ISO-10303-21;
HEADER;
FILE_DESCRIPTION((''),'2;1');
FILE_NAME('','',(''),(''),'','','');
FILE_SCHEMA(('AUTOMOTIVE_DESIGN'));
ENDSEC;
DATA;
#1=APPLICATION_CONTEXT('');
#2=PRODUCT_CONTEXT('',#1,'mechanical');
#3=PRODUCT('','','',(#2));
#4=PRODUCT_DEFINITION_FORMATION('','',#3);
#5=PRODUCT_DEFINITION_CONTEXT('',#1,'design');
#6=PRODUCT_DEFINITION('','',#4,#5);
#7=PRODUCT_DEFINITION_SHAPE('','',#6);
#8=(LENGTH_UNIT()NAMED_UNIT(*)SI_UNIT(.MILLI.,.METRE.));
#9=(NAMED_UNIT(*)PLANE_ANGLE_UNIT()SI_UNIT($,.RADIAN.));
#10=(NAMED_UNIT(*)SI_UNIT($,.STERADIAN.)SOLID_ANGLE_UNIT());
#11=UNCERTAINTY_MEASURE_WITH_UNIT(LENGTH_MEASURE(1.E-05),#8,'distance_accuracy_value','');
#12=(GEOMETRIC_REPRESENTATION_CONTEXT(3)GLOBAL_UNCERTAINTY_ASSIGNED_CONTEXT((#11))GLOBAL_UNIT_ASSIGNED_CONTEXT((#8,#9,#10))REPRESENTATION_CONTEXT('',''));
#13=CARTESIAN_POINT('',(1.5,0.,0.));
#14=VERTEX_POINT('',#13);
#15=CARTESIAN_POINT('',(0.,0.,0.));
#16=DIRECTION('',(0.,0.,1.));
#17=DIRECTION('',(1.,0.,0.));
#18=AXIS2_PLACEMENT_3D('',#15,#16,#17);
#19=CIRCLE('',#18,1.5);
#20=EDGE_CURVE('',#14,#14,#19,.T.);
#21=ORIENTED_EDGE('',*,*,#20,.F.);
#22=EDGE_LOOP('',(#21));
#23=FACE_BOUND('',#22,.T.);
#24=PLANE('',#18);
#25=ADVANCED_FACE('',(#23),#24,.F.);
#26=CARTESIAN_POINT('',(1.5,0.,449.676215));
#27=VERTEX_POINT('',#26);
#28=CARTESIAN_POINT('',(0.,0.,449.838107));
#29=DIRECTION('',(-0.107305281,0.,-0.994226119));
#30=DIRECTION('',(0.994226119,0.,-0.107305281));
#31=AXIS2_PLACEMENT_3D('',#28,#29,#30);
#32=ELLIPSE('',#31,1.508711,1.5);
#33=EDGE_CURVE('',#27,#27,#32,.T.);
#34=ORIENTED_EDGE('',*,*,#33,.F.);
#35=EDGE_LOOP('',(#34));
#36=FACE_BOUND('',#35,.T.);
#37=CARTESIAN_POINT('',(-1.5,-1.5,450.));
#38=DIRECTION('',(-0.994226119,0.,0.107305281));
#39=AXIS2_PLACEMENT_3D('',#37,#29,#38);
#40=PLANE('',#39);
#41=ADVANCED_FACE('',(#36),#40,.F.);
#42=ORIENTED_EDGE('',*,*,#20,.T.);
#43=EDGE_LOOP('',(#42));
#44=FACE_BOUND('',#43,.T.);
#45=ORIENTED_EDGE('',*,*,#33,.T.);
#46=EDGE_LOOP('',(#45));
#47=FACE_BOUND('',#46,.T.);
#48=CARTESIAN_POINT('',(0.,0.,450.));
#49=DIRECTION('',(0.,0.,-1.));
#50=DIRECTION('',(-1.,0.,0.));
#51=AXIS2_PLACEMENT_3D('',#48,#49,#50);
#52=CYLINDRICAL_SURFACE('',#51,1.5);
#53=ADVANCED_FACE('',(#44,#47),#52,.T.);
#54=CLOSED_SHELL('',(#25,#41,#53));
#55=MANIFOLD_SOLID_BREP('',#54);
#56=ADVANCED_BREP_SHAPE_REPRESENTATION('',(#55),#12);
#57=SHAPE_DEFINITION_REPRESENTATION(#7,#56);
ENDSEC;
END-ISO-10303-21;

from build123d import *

# Parameters (mm, degrees)
SKETCH1_R               = 1.5
BOSS_EXTRUDE1_DEPTH     = 450
CUT_EXTRUDE1_DEPTH      = 451.004999972
CUT_EXTRUDE1_DEPTH_BACK = 451.004999972


with BuildPart() as part:
    # Sketch1 → Boss-Extrude1 (new body)
    with BuildSketch(Plane.XY):
        Circle(SKETCH1_R)
    extrude(amount=BOSS_EXTRUDE1_DEPTH)

    # Sketch3 → Cut-Extrude1 (cut, two sides: drawn at the far end of the back side and taken through both)
    with BuildSketch(Plane(origin=(0, 0, 0), x_dir=(1, 0, 0), z_dir=(0, 1, 0)).offset(-CUT_EXTRUDE1_DEPTH_BACK)):
        Polygon((-1.5, -450), (1.5, -450), (1.5, -449.676214659), align=None)
    extrude(amount=CUT_EXTRUDE1_DEPTH + CUT_EXTRUDE1_DEPTH_BACK, mode=Mode.SUBTRACT)


solid = part.part
